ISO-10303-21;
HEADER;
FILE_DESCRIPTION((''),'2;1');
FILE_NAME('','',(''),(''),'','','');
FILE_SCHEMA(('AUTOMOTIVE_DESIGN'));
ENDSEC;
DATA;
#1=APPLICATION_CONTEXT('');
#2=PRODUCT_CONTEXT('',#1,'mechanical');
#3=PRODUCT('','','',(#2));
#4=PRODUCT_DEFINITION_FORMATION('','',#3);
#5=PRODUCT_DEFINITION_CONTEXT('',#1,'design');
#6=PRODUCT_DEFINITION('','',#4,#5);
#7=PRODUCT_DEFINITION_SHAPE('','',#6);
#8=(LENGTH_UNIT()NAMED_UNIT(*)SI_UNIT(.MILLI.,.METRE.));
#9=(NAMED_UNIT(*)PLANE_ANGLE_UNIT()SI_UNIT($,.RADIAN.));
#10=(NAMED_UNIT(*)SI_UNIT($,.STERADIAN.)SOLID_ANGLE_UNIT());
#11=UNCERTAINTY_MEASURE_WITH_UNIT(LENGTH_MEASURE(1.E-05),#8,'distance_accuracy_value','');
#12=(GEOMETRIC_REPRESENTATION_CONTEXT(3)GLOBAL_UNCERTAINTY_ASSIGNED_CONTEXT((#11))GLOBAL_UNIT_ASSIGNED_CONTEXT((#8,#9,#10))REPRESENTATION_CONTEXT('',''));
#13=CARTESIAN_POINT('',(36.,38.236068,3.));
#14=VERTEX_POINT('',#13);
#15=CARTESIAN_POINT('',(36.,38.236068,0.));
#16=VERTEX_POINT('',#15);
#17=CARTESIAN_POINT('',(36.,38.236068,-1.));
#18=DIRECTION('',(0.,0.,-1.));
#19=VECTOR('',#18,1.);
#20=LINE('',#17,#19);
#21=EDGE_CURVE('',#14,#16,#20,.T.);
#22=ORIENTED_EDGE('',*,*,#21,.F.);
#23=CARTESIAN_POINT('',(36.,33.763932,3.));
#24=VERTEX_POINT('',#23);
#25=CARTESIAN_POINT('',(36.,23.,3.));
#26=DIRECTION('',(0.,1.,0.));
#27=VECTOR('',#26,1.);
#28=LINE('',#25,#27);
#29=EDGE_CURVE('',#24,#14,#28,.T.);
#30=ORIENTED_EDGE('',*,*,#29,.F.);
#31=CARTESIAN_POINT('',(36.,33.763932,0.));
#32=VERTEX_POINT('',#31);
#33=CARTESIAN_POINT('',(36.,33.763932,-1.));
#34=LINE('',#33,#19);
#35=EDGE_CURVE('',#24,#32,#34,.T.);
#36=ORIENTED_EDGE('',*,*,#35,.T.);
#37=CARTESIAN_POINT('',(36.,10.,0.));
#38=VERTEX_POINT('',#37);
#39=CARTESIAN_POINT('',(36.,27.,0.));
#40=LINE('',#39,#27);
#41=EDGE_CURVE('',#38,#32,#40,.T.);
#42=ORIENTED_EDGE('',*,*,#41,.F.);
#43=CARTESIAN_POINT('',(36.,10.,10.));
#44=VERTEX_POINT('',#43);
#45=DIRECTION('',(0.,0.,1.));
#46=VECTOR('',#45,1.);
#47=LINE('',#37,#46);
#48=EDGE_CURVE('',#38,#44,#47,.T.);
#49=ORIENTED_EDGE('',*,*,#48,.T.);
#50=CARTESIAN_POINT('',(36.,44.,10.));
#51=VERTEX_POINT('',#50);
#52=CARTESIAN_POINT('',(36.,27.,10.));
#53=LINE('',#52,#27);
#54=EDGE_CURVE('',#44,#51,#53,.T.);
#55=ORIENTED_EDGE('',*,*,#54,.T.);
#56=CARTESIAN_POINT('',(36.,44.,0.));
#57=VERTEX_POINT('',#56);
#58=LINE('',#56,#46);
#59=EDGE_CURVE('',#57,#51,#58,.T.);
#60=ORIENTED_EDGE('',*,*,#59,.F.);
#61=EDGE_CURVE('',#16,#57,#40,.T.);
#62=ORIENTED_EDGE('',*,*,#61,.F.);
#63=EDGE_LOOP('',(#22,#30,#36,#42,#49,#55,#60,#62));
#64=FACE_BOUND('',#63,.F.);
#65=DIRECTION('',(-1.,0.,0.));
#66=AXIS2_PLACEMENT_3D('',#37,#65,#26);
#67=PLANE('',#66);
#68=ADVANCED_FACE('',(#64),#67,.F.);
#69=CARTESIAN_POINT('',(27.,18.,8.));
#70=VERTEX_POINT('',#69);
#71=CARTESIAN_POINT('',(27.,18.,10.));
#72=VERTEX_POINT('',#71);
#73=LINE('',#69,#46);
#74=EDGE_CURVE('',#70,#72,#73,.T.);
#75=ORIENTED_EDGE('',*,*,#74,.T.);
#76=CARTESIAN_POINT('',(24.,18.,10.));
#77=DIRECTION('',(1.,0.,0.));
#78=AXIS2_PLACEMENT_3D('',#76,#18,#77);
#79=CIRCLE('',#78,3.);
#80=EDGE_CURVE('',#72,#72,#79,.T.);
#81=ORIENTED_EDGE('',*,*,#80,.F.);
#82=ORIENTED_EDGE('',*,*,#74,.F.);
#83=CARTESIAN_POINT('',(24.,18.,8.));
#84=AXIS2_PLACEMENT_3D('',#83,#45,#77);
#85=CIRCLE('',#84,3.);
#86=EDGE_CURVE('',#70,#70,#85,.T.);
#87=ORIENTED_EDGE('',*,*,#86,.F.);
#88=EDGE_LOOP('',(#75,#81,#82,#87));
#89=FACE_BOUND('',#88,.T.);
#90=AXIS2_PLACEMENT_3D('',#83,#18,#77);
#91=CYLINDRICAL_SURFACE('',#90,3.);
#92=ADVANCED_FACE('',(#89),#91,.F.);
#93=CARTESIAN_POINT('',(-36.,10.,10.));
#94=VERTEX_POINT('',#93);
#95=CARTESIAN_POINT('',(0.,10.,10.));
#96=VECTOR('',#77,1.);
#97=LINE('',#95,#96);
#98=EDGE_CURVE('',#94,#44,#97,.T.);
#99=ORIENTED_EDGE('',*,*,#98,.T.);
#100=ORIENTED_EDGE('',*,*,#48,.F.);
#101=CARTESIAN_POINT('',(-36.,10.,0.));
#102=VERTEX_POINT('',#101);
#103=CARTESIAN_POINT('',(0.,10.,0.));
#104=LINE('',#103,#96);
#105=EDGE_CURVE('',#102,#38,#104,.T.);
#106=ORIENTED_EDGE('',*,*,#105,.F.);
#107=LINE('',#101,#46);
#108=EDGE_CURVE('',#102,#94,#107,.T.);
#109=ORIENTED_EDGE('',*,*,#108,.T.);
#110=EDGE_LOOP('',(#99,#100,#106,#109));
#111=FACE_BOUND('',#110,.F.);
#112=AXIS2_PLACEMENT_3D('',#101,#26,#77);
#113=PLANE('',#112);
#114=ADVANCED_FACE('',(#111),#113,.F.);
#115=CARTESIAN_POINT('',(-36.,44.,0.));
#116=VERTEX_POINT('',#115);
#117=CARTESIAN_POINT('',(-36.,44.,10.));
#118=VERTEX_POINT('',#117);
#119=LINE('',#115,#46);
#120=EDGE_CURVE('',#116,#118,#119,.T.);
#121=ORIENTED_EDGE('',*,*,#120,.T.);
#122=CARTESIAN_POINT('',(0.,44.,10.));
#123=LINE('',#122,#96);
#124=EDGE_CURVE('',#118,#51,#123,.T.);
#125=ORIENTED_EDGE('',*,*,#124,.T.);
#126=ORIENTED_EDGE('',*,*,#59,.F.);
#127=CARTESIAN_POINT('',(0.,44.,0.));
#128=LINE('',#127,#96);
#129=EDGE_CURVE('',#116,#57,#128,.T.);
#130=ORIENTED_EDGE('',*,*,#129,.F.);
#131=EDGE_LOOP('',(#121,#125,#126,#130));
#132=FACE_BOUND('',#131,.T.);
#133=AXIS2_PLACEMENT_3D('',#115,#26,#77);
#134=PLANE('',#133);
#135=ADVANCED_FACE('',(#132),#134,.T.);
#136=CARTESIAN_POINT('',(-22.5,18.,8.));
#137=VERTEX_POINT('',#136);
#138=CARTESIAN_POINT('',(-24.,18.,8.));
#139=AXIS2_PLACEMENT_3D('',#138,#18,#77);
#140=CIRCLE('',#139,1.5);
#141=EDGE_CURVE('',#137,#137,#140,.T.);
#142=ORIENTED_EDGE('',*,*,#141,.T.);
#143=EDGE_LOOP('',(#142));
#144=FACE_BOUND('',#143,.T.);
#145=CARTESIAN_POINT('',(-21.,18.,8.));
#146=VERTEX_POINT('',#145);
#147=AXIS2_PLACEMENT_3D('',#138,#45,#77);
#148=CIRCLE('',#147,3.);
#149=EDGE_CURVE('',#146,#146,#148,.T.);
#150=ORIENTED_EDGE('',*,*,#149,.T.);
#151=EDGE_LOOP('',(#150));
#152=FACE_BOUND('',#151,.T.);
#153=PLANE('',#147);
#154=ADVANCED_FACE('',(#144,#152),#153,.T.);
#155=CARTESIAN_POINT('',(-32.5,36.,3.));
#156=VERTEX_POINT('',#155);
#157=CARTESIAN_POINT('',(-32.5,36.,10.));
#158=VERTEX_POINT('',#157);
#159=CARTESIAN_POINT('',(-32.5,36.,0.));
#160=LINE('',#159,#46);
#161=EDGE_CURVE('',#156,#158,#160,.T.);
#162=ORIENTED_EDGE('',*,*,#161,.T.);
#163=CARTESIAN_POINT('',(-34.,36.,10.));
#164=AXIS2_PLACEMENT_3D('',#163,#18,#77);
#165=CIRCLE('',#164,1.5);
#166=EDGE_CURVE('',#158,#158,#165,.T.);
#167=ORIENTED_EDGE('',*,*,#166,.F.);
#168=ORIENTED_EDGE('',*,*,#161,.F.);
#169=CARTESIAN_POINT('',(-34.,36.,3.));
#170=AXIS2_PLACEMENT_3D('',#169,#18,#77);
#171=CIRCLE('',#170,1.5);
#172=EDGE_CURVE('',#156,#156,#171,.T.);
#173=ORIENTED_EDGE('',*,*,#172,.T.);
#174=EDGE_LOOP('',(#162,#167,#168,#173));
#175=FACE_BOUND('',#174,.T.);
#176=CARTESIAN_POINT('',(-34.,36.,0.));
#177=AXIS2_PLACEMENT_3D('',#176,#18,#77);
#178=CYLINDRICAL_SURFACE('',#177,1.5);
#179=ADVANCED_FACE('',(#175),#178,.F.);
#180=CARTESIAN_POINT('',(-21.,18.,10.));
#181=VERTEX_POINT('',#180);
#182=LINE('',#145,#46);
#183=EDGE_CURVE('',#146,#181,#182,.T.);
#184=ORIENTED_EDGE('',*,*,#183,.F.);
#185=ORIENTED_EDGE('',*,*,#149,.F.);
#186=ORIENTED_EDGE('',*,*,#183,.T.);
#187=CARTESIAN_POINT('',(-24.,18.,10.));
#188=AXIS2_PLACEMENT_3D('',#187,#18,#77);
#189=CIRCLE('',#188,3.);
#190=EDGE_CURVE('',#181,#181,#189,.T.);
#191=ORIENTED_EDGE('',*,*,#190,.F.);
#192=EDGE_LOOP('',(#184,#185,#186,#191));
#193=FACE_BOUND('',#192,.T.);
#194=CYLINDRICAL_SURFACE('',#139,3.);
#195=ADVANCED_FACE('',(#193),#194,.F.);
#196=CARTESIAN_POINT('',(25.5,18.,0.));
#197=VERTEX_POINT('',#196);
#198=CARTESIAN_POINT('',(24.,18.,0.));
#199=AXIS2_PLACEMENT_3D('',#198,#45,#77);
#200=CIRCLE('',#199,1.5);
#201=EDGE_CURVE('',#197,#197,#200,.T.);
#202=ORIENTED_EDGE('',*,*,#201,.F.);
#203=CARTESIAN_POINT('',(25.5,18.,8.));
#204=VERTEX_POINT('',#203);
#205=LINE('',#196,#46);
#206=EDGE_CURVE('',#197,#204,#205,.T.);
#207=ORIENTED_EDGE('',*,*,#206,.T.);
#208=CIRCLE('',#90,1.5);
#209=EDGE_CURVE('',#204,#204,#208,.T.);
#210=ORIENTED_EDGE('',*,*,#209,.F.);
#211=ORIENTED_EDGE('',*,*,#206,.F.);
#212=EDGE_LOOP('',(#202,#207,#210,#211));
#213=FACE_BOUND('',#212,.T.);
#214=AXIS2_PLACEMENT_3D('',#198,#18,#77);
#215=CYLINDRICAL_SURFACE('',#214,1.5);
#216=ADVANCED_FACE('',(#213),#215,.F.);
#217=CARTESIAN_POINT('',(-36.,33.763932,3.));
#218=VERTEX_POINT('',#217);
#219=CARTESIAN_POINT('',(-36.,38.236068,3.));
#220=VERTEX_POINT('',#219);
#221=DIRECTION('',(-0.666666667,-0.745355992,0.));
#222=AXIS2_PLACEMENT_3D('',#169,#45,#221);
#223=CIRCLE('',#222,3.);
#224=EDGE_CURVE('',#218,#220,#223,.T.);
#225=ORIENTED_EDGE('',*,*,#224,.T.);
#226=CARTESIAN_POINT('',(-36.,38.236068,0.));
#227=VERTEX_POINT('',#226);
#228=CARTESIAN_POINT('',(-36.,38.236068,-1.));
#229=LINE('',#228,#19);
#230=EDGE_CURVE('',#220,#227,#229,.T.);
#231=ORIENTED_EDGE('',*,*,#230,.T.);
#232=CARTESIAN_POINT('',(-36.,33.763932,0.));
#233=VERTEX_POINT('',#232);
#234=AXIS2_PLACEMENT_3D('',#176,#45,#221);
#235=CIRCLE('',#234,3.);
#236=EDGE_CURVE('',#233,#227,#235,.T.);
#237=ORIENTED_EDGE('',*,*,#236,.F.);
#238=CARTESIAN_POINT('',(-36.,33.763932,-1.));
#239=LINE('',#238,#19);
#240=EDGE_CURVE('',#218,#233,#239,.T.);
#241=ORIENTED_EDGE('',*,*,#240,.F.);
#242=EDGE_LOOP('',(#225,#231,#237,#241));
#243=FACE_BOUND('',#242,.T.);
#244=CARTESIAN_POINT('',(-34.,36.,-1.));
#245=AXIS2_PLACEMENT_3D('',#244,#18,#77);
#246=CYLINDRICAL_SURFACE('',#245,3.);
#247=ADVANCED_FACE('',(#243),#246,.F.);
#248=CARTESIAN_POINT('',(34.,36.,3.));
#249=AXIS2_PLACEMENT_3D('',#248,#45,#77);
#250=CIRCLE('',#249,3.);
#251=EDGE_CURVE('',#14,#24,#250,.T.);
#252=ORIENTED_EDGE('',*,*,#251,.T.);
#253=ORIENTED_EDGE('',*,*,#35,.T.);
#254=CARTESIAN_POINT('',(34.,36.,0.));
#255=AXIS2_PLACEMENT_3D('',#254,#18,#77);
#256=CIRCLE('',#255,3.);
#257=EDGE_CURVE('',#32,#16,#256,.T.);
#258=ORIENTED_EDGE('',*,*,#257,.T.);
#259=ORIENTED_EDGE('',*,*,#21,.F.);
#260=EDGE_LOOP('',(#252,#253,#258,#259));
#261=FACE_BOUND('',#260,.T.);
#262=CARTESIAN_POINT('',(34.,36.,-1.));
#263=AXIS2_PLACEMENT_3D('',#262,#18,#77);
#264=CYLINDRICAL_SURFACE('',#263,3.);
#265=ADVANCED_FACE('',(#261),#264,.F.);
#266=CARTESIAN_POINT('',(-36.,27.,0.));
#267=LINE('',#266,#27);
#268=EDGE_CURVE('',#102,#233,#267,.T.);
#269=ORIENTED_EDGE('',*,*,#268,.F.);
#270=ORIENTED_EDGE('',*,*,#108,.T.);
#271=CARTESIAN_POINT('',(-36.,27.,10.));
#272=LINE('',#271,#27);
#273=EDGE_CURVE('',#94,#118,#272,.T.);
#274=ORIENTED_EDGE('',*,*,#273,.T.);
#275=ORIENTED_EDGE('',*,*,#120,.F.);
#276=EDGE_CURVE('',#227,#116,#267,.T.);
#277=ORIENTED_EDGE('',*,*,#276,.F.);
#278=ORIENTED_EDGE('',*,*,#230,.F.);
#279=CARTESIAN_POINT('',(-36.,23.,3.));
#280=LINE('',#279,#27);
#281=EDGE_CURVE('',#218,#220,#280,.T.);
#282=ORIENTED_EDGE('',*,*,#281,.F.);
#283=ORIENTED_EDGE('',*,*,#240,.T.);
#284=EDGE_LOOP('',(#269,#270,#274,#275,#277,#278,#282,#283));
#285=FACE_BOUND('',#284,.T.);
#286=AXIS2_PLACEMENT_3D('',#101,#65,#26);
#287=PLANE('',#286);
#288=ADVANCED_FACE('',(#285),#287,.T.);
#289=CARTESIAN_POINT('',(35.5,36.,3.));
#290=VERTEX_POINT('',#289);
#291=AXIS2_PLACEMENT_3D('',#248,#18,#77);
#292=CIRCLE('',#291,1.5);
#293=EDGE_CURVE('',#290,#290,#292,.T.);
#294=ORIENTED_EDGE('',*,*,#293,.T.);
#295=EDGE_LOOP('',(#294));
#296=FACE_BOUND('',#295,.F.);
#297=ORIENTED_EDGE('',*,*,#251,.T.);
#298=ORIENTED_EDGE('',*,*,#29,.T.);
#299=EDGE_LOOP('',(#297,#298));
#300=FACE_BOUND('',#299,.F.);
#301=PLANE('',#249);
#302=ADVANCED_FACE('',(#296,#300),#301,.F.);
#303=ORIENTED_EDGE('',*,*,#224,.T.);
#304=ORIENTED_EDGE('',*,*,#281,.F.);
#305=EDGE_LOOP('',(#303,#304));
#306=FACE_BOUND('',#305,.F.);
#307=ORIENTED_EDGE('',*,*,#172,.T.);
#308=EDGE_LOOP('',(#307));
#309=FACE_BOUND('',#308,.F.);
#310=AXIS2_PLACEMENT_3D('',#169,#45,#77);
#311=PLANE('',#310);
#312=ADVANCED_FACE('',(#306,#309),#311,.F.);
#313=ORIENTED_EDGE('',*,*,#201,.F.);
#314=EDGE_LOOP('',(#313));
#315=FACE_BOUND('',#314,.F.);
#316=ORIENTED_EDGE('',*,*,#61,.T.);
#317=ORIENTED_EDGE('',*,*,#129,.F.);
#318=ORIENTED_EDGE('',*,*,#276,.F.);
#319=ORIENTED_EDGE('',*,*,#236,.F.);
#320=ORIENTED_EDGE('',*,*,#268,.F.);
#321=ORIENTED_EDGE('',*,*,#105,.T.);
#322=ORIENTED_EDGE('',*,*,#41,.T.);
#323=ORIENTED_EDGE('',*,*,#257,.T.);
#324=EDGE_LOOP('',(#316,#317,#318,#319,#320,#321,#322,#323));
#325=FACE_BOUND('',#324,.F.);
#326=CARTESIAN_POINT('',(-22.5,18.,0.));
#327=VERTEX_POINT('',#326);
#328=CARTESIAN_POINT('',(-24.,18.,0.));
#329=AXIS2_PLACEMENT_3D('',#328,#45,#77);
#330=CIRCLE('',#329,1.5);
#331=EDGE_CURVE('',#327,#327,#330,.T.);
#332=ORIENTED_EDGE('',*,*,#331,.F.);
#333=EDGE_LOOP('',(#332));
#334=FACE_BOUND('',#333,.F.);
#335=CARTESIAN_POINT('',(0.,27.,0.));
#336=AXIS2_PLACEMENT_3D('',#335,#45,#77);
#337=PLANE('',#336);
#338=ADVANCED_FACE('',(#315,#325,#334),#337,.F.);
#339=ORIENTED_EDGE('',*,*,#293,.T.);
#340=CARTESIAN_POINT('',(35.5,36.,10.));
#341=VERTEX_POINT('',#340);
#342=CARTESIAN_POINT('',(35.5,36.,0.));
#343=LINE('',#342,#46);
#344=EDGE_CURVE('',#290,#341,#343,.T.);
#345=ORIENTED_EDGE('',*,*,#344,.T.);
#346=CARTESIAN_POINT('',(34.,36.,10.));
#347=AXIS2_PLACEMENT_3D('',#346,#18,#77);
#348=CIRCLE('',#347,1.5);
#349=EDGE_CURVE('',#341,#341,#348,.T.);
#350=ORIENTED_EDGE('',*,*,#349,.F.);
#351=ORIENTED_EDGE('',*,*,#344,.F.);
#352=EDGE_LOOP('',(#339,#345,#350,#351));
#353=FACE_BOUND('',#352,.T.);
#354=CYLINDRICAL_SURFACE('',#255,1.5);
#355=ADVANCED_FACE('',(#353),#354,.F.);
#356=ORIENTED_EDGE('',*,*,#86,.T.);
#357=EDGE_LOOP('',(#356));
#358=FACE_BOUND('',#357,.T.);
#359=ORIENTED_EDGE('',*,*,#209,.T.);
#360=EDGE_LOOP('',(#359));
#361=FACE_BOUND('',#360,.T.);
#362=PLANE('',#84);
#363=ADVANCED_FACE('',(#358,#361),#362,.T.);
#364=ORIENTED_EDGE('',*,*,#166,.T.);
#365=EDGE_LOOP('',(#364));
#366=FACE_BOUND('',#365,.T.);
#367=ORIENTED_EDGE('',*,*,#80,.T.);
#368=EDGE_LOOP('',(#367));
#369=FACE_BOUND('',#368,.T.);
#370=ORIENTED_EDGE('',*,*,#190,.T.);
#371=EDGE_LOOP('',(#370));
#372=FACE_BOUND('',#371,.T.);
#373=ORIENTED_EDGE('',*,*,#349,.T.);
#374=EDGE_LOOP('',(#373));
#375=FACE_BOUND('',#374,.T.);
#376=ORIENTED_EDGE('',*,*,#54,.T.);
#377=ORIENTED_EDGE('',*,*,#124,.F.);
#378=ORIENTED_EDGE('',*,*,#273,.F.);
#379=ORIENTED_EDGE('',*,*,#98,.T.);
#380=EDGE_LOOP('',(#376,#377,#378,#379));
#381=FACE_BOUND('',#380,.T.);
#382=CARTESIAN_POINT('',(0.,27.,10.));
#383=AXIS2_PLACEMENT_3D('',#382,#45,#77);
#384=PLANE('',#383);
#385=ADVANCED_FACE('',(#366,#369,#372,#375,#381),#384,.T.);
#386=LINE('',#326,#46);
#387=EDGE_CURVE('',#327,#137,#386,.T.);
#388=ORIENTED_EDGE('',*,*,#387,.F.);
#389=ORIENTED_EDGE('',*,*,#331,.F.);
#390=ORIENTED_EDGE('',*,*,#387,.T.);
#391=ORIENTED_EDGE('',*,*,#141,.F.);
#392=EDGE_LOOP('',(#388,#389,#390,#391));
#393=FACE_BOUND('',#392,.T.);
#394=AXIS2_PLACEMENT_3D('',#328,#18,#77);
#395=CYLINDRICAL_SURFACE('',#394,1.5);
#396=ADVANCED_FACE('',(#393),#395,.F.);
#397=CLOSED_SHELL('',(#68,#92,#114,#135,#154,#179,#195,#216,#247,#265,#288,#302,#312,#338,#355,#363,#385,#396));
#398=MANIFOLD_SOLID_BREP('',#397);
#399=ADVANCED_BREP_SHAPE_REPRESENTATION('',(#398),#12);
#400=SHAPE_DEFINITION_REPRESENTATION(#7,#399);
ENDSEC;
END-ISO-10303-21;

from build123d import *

# Parameters (mm, degrees)
CYLINDER320_R     = 1.5
CYLINDER320_DEPTH = 50
CYLINDER321_R     = 1.5
CYLINDER321_DEPTH = 50
CYLINDER322_R     = 1.5
CYLINDER322_DEPTH = 50
CYLINDER319_R     = 1.5
CYLINDER319_DEPTH = 50
CYLINDER323_R     = 3
CYLINDER323_DEPTH = 4
CYLINDER325_R     = 3
CYLINDER325_DEPTH = 4
CYLINDER326_R     = 3
CYLINDER326_DEPTH = 4
CYLINDER324_R     = 3
CYLINDER324_DEPTH = 4
CYLINDER293_R     = 1.5
CYLINDER293_DEPTH = 50
CYLINDER294_R     = 1.5
CYLINDER294_DEPTH = 50
CYLINDER297_R     = 3
CYLINDER297_DEPTH = 4
CYLINDER298_R     = 3
CYLINDER298_DEPTH = 4
BOX138_W          = 72
BOX138_H          = 34
BOX138_DEPTH      = 10


with BuildPart() as v_lec320:
    # Cylinder320 → Cylinder320 (new body)
    with BuildSketch(Plane(origin=(-51, 6, 0), x_dir=(1, 0, 0), z_dir=(0, 0, 1))):
        Circle(CYLINDER320_R)
    extrude(amount=CYLINDER320_DEPTH)


with BuildPart() as v_lec321:
    # Cylinder321 → Cylinder321 (new body)
    with BuildSketch(Plane(origin=(-24, 18, 0), x_dir=(1, 0, 0), z_dir=(0, 0, 1))):
        Circle(CYLINDER321_R)
    extrude(amount=CYLINDER321_DEPTH)


with BuildPart() as v_lec322:
    # Cylinder322 → Cylinder322 (new body)
    with BuildSketch(Plane(origin=(24, 18, 0), x_dir=(1, 0, 0), z_dir=(0, 0, 1))):
        Circle(CYLINDER322_R)
    extrude(amount=CYLINDER322_DEPTH)


with BuildPart() as compound295:
    # Cylinder319 → Cylinder319 (new body)
    with BuildSketch(Plane(origin=(51, 6, 0), x_dir=(1, 0, 0), z_dir=(0, 0, 1))):
        Circle(CYLINDER319_R)
    extrude(amount=CYLINDER319_DEPTH)

    # Compound295: union Válec320, Válec321, Válec322
    add(v_lec320.part)
    add(v_lec321.part)
    add(v_lec322.part)


with BuildPart() as v_lec323:
    # Cylinder323 → Cylinder323 (new body)
    with BuildSketch(Plane(origin=(-51, 7, 0), x_dir=(1, 0, 0), z_dir=(0, 0, 1))):
        Circle(CYLINDER323_R)
    extrude(amount=CYLINDER323_DEPTH)


with BuildPart() as v_lec325:
    # Cylinder325 → Cylinder325 (new body)
    with BuildSketch(Plane(origin=(-24, 18, 0), x_dir=(1, 0, 0), z_dir=(0, 0, 1))):
        Circle(CYLINDER325_R)
    extrude(amount=CYLINDER325_DEPTH)


with BuildPart() as v_lec326:
    # Cylinder326 → Cylinder326 (new body)
    with BuildSketch(Plane(origin=(24, 18, 0), x_dir=(1, 0, 0), z_dir=(0, 0, 1))):
        Circle(CYLINDER326_R)
    extrude(amount=CYLINDER326_DEPTH)


with BuildPart() as compound296:
    # Cylinder324 → Cylinder324 (new body)
    with BuildSketch(Plane(origin=(51, 7, 0), x_dir=(1, 0, 0), z_dir=(0, 0, 1))):
        Circle(CYLINDER324_R)
    extrude(amount=CYLINDER324_DEPTH)

    # Compound296: union Válec323, Válec325, Válec326
    add(v_lec323.part)
    add(v_lec325.part)
    add(v_lec326.part)


with BuildPart() as compound296_1:
    # Compound296 placement: moved
    add(compound296.part.moved(Location((0, 0, 8))))


with BuildPart() as v_lec293:
    # Cylinder293 → Cylinder293 (new body)
    with BuildSketch(Plane(origin=(34, 36, 0), x_dir=(1, 0, 0), z_dir=(0, 0, 1))):
        Circle(CYLINDER293_R)
    extrude(amount=CYLINDER293_DEPTH)


with BuildPart() as compound284:
    # Cylinder294 → Cylinder294 (new body)
    with BuildSketch(Plane(origin=(-34, 36, 0), x_dir=(1, 0, 0), z_dir=(0, 0, 1))):
        Circle(CYLINDER294_R)
    extrude(amount=CYLINDER294_DEPTH)

    # Compound284: union Válec293
    add(v_lec293.part)


with BuildPart() as v_lec297:
    # Cylinder297 → Cylinder297 (new body)
    with BuildSketch(Plane(origin=(34, 36, -1), x_dir=(1, 0, 0), z_dir=(0, 0, 1))):
        Circle(CYLINDER297_R)
    extrude(amount=CYLINDER297_DEPTH)


with BuildPart() as compound282:
    # Cylinder298 → Cylinder298 (new body)
    with BuildSketch(Plane(origin=(-34, 36, -1), x_dir=(1, 0, 0), z_dir=(0, 0, 1))):
        Circle(CYLINDER298_R)
    extrude(amount=CYLINDER298_DEPTH)

    # Compound282: union Válec297
    add(v_lec297.part)


with BuildPart() as cut141:
    # Box138 → Box138 (new body)
    with BuildSketch(Plane(origin=(-36, 10, 0), x_dir=(1, 0, 0), z_dir=(0, 0, 1))):
        with Locations((36, 17)):
            Rectangle(BOX138_W, BOX138_H)
    extrude(amount=BOX138_DEPTH)

    # Cut131: cut Compound282
    add(compound282.part, mode=Mode.SUBTRACT)

    # Cut132: cut Compound284
    add(compound284.part, mode=Mode.SUBTRACT)

    # Cut140: cut Compound296
    add(compound296_1.part, mode=Mode.SUBTRACT)

    # Cut141: cut Compound295
    add(compound295.part, mode=Mode.SUBTRACT)


solid = cut141.part
